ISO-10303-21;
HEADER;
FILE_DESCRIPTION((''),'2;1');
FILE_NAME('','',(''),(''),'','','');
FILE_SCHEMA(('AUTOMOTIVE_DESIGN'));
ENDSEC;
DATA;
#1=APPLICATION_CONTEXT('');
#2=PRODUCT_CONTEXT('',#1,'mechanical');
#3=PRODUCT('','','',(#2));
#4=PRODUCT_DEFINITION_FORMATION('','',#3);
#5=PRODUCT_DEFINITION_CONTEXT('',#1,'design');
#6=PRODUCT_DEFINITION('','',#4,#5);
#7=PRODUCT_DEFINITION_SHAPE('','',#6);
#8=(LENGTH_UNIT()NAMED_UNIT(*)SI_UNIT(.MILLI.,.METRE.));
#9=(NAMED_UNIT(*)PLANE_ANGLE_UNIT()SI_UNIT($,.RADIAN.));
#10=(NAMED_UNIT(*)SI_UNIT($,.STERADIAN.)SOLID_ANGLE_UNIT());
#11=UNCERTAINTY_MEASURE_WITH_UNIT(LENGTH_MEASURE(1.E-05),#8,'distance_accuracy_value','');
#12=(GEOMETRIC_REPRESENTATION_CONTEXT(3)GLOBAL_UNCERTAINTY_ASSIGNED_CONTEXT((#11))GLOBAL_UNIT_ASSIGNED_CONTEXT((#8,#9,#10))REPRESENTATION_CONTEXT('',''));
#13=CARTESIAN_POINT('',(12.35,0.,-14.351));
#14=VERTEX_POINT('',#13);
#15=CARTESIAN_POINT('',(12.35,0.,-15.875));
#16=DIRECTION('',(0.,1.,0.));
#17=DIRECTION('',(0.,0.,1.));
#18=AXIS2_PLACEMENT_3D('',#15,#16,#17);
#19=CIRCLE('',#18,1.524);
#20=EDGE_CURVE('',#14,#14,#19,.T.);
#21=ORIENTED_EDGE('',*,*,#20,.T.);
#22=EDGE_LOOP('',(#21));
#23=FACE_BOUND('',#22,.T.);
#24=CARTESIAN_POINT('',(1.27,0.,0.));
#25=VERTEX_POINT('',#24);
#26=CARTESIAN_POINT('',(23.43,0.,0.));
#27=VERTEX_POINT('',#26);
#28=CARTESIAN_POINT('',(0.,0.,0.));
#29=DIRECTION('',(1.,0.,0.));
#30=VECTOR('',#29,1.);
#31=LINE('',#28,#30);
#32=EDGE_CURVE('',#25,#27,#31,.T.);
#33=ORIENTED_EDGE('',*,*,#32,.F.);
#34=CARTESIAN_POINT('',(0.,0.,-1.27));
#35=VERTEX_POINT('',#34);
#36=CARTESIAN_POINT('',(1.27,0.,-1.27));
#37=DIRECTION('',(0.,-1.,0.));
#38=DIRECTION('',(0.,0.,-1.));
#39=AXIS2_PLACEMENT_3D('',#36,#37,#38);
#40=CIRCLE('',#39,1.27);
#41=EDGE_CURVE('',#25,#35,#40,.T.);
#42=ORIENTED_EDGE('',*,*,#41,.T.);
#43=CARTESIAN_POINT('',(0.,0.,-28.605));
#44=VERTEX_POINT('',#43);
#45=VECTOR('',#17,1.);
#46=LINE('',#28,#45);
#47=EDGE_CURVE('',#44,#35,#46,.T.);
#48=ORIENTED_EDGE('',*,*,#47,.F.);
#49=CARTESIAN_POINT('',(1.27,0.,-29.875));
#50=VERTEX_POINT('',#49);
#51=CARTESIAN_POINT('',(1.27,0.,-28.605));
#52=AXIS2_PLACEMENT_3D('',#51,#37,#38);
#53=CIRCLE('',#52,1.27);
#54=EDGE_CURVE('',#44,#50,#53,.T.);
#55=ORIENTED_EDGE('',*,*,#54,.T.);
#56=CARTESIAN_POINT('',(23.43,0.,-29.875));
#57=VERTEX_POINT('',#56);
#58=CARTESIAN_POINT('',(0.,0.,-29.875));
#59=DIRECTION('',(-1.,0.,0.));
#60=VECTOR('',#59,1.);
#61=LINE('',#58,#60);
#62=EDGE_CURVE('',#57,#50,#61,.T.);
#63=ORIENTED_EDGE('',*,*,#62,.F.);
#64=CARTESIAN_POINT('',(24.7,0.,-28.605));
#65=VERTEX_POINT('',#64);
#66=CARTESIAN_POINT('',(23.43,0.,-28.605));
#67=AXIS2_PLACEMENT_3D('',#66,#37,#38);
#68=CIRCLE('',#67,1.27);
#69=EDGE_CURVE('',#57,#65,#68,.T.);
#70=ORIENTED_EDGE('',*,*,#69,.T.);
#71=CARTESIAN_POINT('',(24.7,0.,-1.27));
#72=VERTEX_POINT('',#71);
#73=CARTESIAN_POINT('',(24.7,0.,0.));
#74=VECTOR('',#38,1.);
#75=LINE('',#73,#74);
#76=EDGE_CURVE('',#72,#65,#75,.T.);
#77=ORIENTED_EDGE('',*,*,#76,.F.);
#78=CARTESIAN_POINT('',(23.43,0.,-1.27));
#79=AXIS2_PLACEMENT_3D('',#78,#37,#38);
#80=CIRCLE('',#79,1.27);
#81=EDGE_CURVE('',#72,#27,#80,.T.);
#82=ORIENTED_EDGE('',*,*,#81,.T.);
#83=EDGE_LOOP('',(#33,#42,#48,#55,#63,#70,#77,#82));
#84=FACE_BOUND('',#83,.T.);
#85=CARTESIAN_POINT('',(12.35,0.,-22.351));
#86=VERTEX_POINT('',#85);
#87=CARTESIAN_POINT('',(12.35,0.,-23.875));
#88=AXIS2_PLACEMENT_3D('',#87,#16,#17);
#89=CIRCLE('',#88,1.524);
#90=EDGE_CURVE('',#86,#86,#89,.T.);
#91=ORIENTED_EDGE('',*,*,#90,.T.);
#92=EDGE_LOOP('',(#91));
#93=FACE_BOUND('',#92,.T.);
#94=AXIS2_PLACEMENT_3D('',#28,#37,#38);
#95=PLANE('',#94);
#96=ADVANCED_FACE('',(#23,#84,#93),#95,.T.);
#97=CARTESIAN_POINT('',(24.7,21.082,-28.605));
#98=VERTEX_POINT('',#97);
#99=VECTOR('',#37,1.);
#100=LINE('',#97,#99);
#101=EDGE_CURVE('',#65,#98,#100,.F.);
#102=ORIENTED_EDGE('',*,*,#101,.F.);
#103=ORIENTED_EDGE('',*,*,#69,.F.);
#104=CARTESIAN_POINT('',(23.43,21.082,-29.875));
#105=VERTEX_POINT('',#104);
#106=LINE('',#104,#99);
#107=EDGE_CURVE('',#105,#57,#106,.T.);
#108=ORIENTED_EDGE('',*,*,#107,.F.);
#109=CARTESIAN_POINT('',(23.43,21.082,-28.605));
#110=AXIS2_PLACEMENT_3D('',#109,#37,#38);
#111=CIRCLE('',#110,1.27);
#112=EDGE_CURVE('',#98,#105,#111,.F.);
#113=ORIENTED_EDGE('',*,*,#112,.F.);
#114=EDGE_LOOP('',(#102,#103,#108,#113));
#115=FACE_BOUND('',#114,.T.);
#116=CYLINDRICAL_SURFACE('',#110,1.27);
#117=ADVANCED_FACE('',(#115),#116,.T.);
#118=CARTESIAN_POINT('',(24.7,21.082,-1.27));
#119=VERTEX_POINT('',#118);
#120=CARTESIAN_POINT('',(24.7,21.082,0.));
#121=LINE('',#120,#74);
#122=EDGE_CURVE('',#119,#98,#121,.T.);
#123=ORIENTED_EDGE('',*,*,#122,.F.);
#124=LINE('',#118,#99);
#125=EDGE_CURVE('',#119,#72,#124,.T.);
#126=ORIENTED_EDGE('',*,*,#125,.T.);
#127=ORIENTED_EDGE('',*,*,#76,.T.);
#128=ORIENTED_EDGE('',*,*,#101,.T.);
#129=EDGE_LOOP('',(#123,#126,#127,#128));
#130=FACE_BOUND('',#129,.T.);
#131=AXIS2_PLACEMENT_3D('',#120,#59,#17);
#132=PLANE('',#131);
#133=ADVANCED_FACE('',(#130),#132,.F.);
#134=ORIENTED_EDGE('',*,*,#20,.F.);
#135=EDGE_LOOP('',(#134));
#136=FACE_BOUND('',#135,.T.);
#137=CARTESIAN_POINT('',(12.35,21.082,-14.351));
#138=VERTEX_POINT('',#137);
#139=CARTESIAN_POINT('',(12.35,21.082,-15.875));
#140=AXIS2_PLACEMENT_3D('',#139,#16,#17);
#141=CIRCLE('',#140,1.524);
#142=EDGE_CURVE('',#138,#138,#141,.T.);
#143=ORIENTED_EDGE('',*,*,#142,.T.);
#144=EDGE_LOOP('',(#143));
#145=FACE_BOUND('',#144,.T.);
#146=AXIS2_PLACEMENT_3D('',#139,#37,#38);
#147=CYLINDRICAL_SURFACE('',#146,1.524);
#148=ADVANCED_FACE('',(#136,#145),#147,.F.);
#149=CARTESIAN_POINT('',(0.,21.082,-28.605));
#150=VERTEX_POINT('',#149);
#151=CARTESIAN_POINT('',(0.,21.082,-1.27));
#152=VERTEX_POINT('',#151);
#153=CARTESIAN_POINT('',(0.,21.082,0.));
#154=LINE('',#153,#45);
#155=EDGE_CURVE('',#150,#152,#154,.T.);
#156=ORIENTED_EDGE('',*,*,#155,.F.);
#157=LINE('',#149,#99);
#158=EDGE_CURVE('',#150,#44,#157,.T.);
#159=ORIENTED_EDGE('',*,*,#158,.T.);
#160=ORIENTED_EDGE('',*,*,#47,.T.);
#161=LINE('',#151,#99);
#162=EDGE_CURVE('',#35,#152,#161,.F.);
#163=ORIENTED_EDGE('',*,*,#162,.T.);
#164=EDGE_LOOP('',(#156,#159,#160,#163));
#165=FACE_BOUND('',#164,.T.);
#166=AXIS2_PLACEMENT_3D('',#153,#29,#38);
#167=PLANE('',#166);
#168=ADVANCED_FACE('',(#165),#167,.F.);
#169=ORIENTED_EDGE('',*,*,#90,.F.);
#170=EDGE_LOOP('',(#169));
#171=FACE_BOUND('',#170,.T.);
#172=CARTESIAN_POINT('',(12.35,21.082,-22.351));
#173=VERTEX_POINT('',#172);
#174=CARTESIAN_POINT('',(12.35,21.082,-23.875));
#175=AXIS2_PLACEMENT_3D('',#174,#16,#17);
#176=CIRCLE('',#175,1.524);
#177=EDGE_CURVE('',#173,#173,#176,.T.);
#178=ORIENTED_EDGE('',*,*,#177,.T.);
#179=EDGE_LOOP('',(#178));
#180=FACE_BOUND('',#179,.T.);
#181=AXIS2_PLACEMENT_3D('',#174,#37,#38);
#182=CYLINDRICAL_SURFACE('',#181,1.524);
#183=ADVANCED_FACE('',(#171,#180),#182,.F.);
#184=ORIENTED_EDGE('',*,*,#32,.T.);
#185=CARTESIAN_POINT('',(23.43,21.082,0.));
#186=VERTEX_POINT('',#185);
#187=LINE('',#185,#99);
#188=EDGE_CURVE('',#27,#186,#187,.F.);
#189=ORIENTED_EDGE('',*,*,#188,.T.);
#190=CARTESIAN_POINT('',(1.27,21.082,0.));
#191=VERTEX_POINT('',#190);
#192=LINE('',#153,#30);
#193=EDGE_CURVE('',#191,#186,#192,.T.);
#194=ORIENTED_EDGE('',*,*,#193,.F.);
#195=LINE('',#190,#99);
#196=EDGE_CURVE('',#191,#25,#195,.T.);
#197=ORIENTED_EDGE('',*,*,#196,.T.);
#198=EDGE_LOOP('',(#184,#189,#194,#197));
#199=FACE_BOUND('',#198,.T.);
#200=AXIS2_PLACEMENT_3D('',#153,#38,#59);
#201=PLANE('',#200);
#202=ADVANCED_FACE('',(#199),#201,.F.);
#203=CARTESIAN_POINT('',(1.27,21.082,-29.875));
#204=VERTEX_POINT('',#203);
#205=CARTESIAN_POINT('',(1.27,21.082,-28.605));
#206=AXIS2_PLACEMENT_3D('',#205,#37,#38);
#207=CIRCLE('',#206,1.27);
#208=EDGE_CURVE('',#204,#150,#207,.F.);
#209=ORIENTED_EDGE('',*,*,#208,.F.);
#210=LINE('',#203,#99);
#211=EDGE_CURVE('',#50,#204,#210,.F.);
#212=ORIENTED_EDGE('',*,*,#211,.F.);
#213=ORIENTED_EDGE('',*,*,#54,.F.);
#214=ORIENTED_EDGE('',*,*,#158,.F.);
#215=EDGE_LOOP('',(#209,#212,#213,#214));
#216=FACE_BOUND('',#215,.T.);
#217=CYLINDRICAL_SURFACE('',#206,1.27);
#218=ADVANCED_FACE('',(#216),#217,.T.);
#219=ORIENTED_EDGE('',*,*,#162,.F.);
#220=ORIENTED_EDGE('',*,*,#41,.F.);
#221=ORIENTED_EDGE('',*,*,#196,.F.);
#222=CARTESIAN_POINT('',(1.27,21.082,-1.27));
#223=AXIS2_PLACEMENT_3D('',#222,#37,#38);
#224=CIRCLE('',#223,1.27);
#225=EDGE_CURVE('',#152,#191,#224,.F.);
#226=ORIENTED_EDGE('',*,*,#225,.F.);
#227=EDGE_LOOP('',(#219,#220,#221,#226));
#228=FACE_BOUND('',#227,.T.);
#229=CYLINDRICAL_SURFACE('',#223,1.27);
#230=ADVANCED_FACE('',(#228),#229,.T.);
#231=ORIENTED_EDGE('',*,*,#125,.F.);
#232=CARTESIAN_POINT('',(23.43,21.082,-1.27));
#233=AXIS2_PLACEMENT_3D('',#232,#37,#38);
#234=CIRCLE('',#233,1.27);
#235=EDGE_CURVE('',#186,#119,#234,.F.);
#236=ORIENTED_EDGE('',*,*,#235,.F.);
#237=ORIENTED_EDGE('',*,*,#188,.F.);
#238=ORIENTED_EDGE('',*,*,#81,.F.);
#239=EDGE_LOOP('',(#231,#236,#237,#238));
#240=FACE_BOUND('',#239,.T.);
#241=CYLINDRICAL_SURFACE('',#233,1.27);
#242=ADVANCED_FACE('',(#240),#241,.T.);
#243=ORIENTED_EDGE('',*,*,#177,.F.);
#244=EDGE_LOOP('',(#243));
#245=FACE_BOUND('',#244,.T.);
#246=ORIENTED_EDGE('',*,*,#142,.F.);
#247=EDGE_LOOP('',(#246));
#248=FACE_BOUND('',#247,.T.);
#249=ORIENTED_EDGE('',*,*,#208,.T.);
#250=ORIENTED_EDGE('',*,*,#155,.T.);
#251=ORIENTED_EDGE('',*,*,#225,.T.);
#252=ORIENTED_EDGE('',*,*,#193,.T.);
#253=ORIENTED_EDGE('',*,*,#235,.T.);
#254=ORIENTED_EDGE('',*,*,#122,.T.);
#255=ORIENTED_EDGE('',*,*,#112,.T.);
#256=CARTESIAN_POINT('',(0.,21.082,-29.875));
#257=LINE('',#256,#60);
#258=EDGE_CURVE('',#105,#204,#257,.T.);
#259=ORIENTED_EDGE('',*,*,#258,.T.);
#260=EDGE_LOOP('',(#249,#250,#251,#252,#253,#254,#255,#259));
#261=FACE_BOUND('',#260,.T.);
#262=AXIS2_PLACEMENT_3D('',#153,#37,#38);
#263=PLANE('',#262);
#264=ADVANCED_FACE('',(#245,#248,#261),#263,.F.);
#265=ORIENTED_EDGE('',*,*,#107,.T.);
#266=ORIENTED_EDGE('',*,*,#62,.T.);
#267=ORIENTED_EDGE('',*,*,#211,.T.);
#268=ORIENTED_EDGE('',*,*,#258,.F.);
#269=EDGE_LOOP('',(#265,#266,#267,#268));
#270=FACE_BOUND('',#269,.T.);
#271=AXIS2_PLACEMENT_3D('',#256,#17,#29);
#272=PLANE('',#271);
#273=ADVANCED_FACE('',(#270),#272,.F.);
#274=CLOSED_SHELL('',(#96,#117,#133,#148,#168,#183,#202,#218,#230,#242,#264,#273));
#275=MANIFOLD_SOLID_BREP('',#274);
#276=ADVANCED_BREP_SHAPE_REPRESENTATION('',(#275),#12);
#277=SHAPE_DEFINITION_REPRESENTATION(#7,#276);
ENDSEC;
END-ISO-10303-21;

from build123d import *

# Parameters (mm, degrees)
SKETCH1_W           = 24.699999876
SKETCH1_H           = 29.87499994
SKETCH1_R           = 1.524
BOSS_EXTRUDE1_DEPTH = 21.082
FILLET1_R           = 1.27


with BuildPart() as part:
    # Sketch1 → Boss-Extrude1 (new body)
    with BuildSketch(Plane(origin=(0, 0, 0), x_dir=(1, 0, 0), z_dir=(0, 1, 0))):
        with Locations((12.349999938, 14.93749997)):
            Rectangle(SKETCH1_W, SKETCH1_H)
        with Locations((12.349999938, 15.875)):
            Circle(SKETCH1_R, mode=Mode.SUBTRACT)
        with Locations((12.349999938, 23.875000002)):
            Circle(SKETCH1_R, mode=Mode.SUBTRACT)
    extrude(amount=BOSS_EXTRUDE1_DEPTH)

    # Fillet1
    fillet1_edges = [part.edges().sort_by_distance(p)[0] for p in [
        (0, 10.541, -29.87499994),
        (24.699999876, 10.541, -29.87499994),
        (24.699999876, 10.541, 0),
        (0, 10.541, 0),
    ]]
    fillet(fillet1_edges, radius=FILLET1_R)


solid = part.part
